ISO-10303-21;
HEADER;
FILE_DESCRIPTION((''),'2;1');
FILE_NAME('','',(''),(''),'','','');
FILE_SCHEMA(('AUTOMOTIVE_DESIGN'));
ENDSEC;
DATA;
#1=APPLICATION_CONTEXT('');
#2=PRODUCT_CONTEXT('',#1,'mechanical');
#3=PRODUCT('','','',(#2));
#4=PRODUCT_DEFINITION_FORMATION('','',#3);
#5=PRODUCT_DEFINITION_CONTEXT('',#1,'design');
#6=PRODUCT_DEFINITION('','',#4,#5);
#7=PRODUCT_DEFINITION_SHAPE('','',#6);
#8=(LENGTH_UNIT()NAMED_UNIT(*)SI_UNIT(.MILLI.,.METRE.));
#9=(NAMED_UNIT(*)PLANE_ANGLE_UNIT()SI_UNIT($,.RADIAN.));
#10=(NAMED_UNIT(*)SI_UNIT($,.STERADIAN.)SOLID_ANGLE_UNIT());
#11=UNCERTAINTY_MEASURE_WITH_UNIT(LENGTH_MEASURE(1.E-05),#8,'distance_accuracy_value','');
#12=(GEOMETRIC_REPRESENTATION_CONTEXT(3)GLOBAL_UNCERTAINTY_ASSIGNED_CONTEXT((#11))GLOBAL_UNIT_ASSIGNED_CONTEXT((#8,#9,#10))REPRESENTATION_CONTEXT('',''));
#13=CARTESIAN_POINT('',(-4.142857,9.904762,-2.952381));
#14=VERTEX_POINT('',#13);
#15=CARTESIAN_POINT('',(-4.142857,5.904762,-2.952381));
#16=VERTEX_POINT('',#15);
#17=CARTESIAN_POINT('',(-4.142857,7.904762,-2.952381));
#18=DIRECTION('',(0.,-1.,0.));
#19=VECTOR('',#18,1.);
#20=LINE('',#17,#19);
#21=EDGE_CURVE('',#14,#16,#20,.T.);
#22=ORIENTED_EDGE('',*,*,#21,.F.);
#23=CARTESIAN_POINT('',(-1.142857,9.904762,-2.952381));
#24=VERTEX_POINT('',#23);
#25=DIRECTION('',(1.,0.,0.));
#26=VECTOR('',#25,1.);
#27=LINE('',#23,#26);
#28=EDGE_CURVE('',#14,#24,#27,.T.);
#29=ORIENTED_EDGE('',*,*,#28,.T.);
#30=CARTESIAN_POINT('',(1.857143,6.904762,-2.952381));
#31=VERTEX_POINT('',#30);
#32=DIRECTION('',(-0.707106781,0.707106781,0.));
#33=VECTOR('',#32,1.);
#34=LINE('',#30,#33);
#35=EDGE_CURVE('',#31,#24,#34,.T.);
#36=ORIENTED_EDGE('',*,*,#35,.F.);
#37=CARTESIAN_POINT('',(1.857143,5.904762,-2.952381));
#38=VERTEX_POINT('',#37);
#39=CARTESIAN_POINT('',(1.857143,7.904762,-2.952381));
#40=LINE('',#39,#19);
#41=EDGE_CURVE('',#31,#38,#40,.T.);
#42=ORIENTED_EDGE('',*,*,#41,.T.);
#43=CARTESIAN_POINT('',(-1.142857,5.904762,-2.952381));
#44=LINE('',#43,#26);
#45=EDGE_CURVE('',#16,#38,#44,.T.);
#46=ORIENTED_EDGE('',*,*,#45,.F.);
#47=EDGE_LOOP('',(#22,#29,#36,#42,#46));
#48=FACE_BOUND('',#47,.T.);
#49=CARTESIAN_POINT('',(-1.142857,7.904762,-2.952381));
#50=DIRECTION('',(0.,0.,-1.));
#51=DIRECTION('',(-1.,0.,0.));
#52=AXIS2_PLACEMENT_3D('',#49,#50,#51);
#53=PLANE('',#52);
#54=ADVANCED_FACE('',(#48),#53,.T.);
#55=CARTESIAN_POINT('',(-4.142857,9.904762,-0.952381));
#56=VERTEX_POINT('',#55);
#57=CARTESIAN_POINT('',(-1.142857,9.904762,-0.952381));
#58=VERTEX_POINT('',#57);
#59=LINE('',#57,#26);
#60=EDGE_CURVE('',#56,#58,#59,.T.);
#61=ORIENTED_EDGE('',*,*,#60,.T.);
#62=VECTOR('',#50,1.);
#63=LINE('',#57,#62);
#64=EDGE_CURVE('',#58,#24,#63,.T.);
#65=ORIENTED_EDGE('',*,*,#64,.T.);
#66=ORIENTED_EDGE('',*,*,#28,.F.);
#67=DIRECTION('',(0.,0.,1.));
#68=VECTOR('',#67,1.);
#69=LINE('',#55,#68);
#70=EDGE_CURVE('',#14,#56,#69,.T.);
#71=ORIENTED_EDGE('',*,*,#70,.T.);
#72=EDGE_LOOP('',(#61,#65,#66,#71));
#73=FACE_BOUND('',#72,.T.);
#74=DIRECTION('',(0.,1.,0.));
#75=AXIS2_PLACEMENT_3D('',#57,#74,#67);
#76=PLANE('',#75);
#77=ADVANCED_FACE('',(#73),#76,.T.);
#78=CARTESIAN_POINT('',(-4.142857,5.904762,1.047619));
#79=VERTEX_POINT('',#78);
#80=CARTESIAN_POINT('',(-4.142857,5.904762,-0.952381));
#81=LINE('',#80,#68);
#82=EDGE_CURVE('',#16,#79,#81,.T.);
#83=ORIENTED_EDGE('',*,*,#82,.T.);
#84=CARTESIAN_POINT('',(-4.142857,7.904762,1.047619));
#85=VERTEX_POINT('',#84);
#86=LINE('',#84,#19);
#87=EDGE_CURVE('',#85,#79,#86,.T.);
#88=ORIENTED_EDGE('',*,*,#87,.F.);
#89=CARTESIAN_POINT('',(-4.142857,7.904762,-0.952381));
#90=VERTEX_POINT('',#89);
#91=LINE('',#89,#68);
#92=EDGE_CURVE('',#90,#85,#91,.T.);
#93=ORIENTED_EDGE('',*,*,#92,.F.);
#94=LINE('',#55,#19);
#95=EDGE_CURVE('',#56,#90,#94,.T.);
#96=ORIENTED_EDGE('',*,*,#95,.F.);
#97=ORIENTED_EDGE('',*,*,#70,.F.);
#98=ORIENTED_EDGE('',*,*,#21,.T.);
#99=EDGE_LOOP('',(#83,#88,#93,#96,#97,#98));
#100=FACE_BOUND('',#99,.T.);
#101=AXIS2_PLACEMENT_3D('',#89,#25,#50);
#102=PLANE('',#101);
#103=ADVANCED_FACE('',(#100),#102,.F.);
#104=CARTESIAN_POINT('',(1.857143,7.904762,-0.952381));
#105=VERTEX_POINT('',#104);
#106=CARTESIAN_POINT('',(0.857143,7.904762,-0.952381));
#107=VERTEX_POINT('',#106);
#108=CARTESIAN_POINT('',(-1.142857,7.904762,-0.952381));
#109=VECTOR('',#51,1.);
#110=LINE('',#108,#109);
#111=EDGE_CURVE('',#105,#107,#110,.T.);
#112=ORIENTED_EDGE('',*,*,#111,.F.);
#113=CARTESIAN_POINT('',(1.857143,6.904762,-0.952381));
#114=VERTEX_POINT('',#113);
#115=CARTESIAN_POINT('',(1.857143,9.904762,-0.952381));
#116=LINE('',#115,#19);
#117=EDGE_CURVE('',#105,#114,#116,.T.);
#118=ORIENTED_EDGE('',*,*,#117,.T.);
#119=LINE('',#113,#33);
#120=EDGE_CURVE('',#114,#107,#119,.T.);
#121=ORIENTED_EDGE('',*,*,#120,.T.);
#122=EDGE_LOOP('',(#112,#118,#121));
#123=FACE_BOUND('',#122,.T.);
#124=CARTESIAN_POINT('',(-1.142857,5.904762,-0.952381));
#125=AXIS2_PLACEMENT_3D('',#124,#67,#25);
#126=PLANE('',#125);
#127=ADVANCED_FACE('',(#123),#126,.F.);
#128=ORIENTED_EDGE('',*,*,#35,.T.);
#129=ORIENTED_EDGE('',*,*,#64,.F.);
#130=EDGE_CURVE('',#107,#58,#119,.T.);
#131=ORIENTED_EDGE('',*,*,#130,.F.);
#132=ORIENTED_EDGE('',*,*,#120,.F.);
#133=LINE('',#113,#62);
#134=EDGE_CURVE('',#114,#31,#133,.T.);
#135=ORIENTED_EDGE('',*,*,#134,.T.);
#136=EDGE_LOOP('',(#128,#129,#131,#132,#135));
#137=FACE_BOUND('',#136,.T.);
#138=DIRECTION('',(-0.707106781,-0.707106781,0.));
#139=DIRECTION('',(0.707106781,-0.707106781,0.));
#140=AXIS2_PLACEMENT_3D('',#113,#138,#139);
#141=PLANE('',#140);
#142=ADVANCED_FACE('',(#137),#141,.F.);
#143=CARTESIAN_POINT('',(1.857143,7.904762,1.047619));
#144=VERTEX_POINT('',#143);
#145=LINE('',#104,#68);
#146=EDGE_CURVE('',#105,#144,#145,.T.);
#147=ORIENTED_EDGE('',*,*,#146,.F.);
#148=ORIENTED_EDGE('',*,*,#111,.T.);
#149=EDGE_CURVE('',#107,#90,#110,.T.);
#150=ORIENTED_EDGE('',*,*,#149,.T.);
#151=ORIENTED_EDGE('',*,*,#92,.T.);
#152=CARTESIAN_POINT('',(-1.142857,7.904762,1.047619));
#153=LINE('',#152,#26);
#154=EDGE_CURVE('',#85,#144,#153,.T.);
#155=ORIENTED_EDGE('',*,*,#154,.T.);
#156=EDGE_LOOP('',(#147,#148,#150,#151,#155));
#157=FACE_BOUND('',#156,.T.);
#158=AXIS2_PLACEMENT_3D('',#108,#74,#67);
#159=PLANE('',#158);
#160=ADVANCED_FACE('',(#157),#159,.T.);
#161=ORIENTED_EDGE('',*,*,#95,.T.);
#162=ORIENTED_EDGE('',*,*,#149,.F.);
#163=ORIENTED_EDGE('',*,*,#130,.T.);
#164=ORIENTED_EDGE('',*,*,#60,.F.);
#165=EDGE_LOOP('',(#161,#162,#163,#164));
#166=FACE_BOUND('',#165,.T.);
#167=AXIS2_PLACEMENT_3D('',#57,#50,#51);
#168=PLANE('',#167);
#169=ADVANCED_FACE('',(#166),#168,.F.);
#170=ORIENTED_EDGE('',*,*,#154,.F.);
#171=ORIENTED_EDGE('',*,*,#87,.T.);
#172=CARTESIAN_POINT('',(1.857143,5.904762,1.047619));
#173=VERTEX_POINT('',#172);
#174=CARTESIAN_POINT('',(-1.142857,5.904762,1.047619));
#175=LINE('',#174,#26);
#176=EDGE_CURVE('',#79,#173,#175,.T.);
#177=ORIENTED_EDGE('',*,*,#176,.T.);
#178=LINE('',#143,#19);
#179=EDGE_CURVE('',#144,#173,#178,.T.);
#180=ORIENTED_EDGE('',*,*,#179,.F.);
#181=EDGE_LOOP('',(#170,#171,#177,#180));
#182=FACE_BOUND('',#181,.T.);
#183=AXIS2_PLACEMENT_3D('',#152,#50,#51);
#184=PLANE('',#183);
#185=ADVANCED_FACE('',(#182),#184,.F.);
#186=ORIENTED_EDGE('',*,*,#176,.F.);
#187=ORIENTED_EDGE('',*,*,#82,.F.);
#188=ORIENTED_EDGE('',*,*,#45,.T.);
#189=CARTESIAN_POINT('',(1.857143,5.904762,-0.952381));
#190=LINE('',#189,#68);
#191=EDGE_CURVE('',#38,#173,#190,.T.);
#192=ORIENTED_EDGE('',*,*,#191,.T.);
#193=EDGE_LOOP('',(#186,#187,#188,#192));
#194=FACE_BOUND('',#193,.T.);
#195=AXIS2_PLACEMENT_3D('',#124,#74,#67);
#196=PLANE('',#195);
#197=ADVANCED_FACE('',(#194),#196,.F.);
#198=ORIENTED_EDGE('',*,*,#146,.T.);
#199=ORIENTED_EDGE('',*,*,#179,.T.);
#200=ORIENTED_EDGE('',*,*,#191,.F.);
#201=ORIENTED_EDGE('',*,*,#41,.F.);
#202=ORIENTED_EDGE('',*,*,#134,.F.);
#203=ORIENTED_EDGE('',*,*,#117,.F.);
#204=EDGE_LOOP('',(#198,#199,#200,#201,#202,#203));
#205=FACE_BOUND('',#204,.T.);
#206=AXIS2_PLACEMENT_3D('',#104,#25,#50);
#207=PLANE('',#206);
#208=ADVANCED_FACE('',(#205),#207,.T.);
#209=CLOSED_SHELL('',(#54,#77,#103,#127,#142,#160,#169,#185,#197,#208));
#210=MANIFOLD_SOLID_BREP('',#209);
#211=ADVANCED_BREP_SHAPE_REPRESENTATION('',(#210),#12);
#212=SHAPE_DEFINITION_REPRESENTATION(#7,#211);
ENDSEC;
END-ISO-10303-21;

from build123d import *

# Parameters (mm, degrees)
SKETCH_1_W          = 30
SKETCH_1_H          = 20
EXTRUDE_1_DEPTH     = 10
SKETCH_1_3_W        = 30
SKETCH_1_3_H        = 10
EXTRUDE_2_DEPTH     = 20
CUT_EXTRUDE_1_DEPTH = 10
SCALE_1_SCALE       = 0.2


with BuildPart() as part:
    # 草圖1 → 填料-伸長1 (new body)
    with BuildSketch(Plane(origin=(0, 0, 0), x_dir=(1, 0, 0), z_dir=(0, 1, 0))):
        Rectangle(SKETCH_1_W, SKETCH_1_H)
    extrude(amount=EXTRUDE_1_DEPTH)

    # 草圖1<3> → 填料-伸長2 (add)
    with BuildSketch(Plane(origin=(0, 0, 0), x_dir=(1, 0, 0), z_dir=(0, 1, 0))):
        with Locations((0, 5)):
            Rectangle(SKETCH_1_3_W, SKETCH_1_3_H)
    extrude(amount=EXTRUDE_2_DEPTH)

    # 草圖2 → 除料-伸長1 (cut)
    with BuildSketch(Plane(origin=(0, 0, -10), x_dir=(-1, 0, 0), z_dir=(0, 0, -1))):
        Polygon((-15, 5), (0, 20), (-15, 20), align=None)
    extrude(amount=-CUT_EXTRUDE_1_DEPTH, mode=Mode.SUBTRACT)


with BuildPart() as part_1:
    # 縮放比例1: scaled about (-1.428571429, 7.380952381, -1.19047619)
    add(part.part.scale(SCALE_1_SCALE).moved(Location((-1.142857143, 5.904761905, -0.952380952))))


solid = part_1.part
